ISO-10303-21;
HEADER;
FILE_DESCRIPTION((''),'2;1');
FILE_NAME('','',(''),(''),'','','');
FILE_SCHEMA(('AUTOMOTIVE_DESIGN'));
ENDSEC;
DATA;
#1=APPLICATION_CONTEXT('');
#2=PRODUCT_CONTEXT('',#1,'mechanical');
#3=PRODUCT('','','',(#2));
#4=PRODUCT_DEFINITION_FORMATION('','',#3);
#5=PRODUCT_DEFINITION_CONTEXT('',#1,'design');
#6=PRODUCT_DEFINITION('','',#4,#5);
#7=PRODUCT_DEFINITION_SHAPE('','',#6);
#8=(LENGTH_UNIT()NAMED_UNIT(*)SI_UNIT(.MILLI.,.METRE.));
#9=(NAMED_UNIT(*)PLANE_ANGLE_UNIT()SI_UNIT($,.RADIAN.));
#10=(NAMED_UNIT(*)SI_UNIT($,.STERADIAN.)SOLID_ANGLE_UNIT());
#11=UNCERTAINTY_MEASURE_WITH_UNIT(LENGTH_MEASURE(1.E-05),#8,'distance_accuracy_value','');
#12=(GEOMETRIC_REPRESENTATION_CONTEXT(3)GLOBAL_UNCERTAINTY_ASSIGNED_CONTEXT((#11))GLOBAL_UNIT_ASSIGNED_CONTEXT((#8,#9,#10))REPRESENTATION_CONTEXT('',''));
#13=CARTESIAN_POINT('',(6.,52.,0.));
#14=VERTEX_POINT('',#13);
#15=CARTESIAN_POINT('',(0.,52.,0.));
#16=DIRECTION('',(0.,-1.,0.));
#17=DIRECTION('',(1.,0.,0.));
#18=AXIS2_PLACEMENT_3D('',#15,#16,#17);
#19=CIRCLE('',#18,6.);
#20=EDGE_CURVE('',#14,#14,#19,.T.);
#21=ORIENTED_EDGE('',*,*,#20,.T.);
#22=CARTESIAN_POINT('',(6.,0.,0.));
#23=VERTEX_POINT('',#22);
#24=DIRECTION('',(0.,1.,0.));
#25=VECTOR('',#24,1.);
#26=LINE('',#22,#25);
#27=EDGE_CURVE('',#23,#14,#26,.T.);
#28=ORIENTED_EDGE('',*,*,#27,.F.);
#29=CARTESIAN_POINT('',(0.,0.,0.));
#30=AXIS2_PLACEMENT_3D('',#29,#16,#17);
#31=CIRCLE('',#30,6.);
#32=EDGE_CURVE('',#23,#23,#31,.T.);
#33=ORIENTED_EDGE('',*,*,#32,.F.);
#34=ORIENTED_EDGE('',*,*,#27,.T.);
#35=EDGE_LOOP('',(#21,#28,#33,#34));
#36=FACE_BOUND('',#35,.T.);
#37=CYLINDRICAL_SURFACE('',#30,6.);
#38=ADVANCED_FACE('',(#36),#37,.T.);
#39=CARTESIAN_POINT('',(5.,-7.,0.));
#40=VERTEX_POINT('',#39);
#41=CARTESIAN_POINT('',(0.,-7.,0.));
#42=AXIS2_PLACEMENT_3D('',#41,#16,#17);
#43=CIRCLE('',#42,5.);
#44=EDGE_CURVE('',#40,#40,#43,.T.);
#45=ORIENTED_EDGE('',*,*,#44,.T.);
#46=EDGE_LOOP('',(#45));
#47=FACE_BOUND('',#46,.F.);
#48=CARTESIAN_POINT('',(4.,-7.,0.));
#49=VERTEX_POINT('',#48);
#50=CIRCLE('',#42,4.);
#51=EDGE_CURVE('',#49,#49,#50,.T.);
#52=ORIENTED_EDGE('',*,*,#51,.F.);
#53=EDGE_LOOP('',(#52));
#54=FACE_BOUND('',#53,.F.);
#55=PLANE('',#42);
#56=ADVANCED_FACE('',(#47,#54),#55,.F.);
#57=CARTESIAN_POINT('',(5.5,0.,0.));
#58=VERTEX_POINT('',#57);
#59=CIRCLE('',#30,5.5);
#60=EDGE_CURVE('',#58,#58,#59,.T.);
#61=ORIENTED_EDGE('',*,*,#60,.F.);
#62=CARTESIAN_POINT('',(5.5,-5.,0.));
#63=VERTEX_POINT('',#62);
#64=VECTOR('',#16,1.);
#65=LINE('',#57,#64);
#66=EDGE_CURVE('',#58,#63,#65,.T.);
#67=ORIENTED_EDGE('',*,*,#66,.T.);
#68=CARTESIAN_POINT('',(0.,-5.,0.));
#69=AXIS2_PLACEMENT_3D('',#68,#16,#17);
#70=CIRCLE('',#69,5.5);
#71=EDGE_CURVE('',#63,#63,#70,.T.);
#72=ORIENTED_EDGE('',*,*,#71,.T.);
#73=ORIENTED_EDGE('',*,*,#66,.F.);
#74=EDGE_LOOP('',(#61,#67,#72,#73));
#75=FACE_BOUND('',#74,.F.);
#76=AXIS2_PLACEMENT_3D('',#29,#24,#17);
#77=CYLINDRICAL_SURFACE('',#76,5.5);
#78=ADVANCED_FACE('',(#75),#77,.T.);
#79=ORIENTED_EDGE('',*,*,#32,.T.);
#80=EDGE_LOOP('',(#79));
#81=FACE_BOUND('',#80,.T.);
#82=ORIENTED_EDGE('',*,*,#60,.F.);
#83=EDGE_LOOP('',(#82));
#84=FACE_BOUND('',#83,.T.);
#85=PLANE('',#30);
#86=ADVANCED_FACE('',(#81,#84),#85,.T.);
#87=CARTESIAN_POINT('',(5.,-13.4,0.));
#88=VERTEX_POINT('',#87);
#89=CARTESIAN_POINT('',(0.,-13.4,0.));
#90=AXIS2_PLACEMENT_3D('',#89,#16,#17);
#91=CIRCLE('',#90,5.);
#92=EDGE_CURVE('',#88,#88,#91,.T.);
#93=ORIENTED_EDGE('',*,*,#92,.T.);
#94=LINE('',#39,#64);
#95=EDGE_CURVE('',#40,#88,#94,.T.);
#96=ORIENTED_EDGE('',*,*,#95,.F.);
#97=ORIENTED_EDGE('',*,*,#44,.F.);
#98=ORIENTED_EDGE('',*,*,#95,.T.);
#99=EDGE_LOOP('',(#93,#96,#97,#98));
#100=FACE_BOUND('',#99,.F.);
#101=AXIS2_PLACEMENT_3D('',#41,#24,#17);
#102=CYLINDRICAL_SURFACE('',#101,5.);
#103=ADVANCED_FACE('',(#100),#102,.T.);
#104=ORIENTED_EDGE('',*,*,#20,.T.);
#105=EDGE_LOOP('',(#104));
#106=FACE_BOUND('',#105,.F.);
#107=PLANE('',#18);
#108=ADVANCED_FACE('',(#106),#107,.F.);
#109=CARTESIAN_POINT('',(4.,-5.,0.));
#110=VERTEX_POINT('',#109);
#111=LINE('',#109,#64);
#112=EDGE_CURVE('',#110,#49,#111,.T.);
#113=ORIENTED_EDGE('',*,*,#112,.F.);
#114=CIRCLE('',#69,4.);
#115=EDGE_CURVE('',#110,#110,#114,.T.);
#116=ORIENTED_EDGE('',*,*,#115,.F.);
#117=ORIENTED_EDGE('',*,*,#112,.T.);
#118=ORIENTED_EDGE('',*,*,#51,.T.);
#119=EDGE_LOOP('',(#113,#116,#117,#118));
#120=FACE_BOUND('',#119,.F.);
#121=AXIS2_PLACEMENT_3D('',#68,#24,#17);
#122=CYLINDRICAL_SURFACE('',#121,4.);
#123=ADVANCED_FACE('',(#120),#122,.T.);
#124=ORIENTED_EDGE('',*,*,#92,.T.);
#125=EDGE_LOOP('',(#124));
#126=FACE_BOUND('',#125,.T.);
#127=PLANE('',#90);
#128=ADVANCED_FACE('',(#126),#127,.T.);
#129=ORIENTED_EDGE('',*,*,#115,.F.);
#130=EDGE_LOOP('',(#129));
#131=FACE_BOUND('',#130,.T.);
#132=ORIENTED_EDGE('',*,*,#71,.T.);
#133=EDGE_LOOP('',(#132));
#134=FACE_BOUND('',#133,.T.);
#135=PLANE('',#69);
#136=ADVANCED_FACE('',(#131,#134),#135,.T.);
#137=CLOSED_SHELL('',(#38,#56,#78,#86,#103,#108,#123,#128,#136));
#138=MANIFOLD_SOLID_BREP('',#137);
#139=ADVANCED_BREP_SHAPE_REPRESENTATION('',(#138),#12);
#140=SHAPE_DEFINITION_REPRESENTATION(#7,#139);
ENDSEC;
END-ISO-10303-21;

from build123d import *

# Parameters (mm, degrees)
F0_R     = 6
F1_DEPTH = 52
F2_R     = 5.5
F3_DEPTH = 5
F4_R     = 4
F5_DEPTH = 2
F6_R     = 5
F7_DEPTH = 6.4


with BuildPart() as f1:
    # F0 (on Front) → F1 (new body)
    with BuildSketch(Plane.XZ):
        Circle(F0_R)
    extrude(amount=-F1_DEPTH)

    # F2 (on face) → F3 (join)
    with BuildSketch(Plane.XZ):
        Circle(F2_R)
    extrude(amount=F3_DEPTH)

    # F4 (on face) → F5 (join)
    with BuildSketch(Plane.XZ.offset(5)):
        Circle(F4_R)
    extrude(amount=F5_DEPTH)

    # F6 (on face) → F7 (join)
    with BuildSketch(Plane.XZ.offset(7)):
        Circle(F6_R)
    extrude(amount=F7_DEPTH)


solid = f1.part
